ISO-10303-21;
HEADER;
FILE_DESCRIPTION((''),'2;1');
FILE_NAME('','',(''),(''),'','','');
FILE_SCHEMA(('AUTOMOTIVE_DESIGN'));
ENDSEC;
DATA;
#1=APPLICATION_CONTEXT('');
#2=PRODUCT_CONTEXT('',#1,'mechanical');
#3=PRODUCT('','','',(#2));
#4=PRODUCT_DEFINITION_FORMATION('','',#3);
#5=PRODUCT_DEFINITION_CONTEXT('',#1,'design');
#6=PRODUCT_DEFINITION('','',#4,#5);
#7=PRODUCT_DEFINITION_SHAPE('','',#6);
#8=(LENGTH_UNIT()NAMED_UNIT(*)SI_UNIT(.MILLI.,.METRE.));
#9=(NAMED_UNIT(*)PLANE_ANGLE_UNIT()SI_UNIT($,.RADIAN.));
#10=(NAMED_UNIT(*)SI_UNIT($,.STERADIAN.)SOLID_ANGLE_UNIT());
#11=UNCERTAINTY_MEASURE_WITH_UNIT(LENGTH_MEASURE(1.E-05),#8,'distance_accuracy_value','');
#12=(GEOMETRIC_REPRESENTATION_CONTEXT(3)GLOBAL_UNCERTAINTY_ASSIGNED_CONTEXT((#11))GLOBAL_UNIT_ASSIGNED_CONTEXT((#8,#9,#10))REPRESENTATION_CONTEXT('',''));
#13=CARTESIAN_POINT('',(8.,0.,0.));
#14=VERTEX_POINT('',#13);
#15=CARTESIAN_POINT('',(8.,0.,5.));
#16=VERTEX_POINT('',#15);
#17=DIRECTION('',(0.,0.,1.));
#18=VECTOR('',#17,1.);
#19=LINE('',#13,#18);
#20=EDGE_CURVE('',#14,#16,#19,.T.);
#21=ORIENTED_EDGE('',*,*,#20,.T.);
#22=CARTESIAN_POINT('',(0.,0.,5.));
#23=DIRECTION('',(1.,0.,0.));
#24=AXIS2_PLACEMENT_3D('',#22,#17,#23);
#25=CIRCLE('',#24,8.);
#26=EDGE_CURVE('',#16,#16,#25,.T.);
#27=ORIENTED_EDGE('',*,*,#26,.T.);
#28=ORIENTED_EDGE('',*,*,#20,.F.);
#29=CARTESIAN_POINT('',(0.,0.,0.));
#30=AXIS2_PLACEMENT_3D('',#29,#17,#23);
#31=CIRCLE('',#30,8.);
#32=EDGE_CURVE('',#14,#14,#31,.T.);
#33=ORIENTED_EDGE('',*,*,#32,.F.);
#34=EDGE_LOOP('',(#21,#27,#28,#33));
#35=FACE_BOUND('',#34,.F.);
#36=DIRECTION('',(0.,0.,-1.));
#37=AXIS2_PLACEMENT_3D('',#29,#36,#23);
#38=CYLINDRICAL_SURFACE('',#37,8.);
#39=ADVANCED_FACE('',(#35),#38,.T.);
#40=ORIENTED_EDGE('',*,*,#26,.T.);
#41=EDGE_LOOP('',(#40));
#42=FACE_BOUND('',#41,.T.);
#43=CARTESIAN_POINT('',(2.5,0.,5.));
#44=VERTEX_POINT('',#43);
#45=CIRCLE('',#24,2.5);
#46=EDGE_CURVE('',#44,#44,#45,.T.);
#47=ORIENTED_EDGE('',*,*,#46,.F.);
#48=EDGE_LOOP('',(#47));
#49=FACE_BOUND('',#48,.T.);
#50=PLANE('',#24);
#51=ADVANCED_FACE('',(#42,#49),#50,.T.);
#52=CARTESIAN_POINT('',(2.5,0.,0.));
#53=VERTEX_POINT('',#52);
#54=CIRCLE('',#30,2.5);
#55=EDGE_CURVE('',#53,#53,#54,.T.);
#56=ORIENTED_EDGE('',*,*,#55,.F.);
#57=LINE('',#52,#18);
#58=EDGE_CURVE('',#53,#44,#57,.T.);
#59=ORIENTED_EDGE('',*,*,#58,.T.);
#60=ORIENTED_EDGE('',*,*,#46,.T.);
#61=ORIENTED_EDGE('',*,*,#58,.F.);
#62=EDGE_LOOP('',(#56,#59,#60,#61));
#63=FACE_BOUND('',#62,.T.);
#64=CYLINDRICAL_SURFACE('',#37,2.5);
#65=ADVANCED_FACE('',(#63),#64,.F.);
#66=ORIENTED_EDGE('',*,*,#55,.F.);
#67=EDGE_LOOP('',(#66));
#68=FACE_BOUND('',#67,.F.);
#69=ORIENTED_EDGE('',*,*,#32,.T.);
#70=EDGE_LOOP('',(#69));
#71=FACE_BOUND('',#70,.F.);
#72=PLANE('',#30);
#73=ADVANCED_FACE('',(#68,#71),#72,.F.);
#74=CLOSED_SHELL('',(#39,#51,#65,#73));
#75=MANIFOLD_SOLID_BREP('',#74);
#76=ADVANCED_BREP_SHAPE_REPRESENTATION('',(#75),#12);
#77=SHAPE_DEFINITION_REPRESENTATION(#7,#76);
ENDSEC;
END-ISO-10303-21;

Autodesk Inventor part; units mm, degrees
ref_plane "YZ Plane" through (0, 0, 0) normal (1, 0, 0) x (0, 1, 0)
ref_plane "XZ Plane" through (0, 0, 0) normal (0, 1, 0) x (-1, 0, 0)
ref_plane "XY Plane" through (0, 0, 0) normal (0, 0, 1) x (1, 0, 0)
sketch "Sketch1" plane through (0, 0, 0) normal (0, 0, 1) x (1, 0, 0)
  circle A0 centre (0, 0) radius 2.5
  circle A1 centre (0, 0) radius 8
  dimension "d0" = 5
  dimension "d2" = 16
extrude "Extrusion1" add sketch "Sketch1" along normal blind 5
properties part number "625ZZ_bearing"
